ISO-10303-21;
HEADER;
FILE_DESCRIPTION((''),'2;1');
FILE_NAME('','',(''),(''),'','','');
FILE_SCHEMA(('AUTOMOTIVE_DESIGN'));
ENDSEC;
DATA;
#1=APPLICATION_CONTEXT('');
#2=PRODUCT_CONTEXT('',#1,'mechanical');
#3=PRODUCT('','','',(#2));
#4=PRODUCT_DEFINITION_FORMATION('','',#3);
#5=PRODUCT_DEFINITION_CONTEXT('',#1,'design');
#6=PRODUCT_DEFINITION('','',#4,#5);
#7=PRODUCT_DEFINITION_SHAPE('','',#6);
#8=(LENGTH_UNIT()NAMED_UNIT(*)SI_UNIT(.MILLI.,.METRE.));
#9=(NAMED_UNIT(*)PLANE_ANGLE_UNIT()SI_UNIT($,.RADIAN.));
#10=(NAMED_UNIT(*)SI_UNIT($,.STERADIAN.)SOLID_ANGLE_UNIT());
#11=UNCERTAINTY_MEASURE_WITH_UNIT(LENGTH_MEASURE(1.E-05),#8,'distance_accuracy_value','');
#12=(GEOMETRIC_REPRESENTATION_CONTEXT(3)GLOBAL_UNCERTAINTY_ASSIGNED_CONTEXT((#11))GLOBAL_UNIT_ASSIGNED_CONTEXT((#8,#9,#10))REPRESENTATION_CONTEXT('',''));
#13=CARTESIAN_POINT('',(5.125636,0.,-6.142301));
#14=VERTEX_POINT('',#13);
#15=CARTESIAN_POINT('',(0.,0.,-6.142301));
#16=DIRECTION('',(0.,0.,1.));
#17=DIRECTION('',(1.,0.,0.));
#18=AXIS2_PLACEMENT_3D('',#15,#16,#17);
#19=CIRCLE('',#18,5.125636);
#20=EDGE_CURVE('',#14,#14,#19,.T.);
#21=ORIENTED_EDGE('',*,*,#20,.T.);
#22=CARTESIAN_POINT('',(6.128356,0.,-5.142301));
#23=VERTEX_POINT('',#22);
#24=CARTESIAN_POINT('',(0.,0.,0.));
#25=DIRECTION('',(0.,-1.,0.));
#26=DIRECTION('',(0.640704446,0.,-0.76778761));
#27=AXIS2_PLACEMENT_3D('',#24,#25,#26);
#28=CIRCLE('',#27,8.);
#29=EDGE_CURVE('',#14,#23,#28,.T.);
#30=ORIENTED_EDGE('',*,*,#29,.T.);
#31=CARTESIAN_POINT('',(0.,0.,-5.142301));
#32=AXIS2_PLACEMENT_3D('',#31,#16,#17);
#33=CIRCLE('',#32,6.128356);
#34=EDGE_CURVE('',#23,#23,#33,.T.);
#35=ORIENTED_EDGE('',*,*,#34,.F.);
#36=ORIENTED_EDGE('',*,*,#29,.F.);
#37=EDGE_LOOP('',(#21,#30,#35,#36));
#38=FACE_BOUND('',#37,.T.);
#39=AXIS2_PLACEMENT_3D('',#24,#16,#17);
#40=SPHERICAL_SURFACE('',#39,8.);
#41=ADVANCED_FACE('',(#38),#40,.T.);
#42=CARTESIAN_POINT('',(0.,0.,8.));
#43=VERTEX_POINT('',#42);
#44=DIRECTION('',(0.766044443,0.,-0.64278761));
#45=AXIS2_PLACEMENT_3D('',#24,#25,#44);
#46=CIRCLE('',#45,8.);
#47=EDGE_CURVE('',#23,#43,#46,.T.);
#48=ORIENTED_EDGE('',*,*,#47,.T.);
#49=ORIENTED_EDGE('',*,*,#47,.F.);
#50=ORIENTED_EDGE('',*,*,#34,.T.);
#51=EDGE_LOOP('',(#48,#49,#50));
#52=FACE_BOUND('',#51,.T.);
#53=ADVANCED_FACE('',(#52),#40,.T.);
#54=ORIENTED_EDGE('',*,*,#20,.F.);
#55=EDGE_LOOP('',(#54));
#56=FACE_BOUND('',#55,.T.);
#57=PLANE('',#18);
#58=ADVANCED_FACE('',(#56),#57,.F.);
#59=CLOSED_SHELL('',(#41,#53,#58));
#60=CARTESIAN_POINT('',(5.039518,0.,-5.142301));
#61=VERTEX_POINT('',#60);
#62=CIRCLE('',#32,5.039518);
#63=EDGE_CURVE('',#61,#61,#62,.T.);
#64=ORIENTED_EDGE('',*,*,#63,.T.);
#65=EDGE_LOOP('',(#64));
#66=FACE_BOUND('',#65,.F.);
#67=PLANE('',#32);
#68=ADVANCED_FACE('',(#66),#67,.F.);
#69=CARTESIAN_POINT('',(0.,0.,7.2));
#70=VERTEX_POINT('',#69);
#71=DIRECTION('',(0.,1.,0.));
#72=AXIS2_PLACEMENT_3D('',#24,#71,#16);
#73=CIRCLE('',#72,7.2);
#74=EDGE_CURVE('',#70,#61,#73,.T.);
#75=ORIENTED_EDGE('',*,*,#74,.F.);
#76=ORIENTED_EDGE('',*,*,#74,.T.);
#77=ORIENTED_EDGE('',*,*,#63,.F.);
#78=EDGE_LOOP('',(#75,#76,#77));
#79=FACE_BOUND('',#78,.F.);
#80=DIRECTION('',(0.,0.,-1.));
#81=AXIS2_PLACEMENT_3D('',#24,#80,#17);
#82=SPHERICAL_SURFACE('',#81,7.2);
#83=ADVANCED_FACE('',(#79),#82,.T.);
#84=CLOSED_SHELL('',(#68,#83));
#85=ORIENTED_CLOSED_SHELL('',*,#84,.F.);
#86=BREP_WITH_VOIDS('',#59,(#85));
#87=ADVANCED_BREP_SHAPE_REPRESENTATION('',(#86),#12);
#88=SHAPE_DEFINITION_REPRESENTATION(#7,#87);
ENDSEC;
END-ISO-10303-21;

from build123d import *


with BuildPart() as f1:
    # F0 (on Front) → F1 (revolve)
    with BuildSketch(Plane.XZ):
        with BuildLine():
            Line((5.0395180013, -5.1423008775), (6.128355545, -5.1423008775))
            ThreePointArc((6.128355545, -5.1423008775), (7.2504622963, 3.3809460939), (0, 8))
            Line((0, 8), (0, 7.2))
            ThreePointArc((0, 7.2), (6.6657545079, 2.7217121158), (5.0395180013, -5.1423008775))
        make_face()
        with BuildLine():
            Line((3.7566128268, -6.1423008775), (5.1256355636, -6.1423008775))
            ThreePointArc((5.1256355636, -6.1423008775), (5.6491662188, -5.6645318458), (6.128355545, -5.1423008775))
            Line((6.128355545, -5.1423008775), (5.0395180013, -5.1423008775))
            ThreePointArc((5.0395180013, -5.1423008775), (4.4263957557, -5.6786460194), (3.7566128268, -6.1423008775))
        make_face()
        with BuildLine():
            Line((0, -6.1423008775), (3.7566128268, -6.1423008775))
            ThreePointArc((3.7566128268, -6.1423008775), (4.4263957557, -5.6786460194), (5.0395180013, -5.1423008775))
            Line((5.0395180013, -5.1423008775), (0, -5.1423008775))
            Line((0, -5.1423008775), (0, -6.1423008775))
        make_face()
    revolve(axis=Axis((0, 0, 4), (0, 0, 1)))


solid = f1.part
